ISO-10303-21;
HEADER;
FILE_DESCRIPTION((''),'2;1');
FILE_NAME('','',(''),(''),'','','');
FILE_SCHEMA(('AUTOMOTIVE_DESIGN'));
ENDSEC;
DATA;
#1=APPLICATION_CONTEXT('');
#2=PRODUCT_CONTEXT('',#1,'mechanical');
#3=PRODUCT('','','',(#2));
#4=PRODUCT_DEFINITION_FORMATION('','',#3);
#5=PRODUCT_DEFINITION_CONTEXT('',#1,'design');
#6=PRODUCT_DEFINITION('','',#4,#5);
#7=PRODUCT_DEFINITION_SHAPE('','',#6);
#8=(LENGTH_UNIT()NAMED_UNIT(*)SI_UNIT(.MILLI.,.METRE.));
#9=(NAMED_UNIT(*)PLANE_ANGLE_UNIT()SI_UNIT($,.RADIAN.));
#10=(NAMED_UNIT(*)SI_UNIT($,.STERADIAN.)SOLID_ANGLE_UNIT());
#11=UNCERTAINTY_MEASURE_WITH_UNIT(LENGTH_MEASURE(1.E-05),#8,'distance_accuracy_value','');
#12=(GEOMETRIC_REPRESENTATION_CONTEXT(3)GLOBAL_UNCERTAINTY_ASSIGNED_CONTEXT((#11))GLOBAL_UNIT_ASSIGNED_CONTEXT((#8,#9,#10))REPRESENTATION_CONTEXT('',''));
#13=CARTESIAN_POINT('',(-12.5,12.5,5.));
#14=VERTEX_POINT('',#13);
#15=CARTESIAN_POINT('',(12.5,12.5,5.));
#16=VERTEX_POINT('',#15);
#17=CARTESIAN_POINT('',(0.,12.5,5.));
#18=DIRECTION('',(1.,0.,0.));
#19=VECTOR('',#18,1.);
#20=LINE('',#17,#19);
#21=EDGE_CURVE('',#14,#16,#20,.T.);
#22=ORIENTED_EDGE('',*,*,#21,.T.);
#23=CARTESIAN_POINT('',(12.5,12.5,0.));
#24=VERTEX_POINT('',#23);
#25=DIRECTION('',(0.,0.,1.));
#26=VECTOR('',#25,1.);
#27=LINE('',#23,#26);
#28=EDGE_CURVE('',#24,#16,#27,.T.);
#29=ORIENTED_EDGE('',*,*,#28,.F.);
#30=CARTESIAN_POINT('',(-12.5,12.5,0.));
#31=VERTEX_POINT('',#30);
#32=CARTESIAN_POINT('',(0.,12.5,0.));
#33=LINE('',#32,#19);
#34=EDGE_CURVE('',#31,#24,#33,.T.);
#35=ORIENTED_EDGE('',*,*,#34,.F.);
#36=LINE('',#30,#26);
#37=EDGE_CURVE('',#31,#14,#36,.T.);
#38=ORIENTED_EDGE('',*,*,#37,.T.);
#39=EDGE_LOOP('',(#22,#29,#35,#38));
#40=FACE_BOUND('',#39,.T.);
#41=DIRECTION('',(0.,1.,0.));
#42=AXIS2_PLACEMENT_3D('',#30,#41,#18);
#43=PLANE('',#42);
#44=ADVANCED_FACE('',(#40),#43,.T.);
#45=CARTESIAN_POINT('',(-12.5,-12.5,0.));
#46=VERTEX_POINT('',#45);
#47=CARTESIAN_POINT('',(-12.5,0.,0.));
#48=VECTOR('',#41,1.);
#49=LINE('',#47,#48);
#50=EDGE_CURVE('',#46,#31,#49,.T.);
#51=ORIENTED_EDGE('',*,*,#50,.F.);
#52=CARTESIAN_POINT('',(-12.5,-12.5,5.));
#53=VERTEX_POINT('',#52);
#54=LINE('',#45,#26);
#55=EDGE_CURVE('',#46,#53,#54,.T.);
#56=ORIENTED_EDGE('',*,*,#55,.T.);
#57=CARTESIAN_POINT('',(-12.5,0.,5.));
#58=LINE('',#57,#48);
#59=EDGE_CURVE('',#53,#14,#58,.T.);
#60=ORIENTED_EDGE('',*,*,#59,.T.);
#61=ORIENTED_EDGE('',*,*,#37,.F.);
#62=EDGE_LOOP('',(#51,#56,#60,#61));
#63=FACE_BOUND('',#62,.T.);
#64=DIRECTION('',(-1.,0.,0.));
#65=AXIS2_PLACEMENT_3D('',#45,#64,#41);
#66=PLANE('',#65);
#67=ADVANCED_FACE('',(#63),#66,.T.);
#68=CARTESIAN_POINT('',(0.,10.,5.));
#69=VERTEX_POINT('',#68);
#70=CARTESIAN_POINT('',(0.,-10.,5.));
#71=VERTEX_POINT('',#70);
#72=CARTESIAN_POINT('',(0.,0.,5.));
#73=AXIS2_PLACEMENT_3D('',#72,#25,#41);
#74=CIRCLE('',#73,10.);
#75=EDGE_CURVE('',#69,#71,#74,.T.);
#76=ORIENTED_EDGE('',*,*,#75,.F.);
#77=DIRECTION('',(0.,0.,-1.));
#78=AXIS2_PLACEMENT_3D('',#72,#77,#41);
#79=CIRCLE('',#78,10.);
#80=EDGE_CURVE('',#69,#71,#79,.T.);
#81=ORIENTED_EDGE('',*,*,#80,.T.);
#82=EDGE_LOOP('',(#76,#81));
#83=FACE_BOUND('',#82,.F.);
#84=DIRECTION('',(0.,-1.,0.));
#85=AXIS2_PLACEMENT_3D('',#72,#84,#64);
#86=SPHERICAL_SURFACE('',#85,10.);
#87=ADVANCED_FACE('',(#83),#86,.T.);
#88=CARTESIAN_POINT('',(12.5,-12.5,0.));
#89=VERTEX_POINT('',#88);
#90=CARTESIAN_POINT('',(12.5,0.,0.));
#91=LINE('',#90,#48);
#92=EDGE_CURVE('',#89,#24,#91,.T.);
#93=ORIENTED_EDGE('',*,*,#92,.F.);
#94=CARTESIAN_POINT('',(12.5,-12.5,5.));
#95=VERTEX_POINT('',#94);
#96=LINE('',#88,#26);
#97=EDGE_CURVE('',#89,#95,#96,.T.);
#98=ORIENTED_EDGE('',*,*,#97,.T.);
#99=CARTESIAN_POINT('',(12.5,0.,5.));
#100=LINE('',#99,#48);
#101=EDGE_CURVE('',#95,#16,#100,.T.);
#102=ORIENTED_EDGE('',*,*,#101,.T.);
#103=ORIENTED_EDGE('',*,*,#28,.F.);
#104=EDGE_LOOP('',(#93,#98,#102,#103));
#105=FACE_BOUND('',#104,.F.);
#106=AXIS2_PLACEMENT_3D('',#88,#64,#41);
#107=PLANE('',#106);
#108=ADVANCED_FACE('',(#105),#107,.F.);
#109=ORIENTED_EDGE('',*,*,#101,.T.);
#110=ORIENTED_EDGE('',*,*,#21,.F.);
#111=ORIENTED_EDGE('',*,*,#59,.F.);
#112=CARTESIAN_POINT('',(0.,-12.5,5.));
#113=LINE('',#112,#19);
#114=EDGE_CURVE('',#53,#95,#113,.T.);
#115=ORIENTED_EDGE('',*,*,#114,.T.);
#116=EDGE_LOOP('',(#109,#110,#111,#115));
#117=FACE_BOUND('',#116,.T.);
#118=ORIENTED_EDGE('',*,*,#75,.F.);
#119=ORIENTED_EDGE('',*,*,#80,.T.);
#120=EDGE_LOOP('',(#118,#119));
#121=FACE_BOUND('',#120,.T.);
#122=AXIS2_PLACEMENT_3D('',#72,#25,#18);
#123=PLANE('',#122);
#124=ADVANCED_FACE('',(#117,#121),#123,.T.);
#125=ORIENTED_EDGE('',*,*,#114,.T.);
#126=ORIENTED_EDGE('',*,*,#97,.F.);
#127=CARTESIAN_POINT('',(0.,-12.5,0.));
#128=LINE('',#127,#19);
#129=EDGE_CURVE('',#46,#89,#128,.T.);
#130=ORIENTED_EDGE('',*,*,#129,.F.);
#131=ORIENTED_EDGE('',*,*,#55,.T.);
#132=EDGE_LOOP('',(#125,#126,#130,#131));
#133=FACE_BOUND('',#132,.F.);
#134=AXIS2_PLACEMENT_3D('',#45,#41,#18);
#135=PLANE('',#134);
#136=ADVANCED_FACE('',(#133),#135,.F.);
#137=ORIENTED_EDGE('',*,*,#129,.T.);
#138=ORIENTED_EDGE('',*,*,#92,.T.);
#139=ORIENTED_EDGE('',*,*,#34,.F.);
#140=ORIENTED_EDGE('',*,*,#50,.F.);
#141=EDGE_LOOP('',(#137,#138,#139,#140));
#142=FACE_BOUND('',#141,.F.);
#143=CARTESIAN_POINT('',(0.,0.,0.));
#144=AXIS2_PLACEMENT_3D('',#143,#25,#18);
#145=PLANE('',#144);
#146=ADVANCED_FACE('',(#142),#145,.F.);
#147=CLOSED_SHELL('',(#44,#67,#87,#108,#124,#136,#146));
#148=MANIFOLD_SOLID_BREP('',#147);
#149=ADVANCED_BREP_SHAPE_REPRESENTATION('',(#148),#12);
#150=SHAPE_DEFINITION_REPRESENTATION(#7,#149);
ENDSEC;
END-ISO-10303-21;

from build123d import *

# Parameters (mm, degrees)
F0_W     = 25
F0_H     = 25
F1_DEPTH = 5
F3_ANGLE = 180


with BuildPart() as f1:
    # F0 (on Top) → F1 (new body)
    with BuildSketch(Plane.XY):
        Rectangle(F0_W, F0_H)
    extrude(amount=F1_DEPTH)

    # F2 (on face) → F3 (revolve)
    with BuildSketch(Plane.XY.offset(5)):
        with BuildLine():
            Line((0, -10), (0, 10))
            ThreePointArc((0, 10), (-10, 0), (0, -10))
        make_face()
    revolve(axis=Axis((0, 0, 5), (0, 1, 0)), revolution_arc=F3_ANGLE)


solid = f1.part
